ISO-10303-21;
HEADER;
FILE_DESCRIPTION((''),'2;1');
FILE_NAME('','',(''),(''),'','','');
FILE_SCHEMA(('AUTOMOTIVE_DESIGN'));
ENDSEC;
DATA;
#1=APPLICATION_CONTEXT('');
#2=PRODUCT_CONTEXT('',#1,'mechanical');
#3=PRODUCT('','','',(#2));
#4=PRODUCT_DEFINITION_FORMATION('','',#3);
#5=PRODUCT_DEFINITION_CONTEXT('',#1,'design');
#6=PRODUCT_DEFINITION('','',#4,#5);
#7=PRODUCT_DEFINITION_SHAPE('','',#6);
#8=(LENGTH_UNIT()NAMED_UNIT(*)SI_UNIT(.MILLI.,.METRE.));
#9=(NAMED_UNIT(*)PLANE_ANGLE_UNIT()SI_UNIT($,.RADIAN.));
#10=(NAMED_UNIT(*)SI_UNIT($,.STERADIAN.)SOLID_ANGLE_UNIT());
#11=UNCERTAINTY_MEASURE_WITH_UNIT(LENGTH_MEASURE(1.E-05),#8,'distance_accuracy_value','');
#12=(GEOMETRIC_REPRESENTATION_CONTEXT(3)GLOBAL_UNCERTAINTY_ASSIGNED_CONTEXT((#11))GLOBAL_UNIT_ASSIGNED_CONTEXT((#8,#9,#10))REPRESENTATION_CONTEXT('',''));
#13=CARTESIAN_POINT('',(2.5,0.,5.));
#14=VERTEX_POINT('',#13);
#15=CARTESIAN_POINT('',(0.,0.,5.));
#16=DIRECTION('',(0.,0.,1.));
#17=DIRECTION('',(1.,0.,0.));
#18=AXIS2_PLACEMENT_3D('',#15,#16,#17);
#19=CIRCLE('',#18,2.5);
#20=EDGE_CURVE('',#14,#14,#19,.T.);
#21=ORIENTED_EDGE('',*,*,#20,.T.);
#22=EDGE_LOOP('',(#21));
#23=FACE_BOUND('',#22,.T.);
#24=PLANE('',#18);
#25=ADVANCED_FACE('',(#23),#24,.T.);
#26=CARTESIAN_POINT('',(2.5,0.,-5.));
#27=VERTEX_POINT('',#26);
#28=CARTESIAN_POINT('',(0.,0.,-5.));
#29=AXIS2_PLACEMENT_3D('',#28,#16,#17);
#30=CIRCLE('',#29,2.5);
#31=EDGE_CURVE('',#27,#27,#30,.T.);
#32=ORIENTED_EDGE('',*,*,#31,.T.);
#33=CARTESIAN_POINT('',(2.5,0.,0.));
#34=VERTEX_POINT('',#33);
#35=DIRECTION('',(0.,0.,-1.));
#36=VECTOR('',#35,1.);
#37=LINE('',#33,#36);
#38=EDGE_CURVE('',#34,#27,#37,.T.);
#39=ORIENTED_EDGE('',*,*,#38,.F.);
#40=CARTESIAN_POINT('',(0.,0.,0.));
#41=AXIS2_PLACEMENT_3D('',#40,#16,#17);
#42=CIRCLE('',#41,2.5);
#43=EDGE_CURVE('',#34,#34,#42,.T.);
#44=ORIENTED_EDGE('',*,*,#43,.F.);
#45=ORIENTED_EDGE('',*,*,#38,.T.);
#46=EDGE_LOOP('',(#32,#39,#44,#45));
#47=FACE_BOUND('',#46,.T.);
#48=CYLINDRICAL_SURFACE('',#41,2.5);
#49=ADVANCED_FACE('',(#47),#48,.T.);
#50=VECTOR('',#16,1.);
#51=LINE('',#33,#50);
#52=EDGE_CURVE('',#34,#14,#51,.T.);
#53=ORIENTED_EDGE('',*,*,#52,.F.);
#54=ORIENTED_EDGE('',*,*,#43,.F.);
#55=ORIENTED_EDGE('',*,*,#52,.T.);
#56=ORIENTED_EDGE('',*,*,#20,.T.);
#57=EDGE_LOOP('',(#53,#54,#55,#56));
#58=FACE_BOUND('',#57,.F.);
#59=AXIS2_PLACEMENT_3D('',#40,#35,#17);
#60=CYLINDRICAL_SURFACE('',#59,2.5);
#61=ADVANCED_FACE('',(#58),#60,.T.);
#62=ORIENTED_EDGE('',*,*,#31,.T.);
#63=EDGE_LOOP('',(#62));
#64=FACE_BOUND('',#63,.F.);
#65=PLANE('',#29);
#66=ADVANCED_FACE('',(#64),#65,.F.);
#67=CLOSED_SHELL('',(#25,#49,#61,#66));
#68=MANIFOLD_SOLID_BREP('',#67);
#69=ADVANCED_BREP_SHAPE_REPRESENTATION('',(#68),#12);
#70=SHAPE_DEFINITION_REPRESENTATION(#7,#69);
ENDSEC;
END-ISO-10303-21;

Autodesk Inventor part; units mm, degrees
sketch "Sketch1" plane through (0, 0, 0) normal (0, 0, 1) x (1, 0, 0)
  circle A0 centre (0, 0) radius 2.5
  dimension "d0" = 5
extrude "Extrusion1" add sketch "Sketch1" along normal mid plane 10
properties part number "Pin"
